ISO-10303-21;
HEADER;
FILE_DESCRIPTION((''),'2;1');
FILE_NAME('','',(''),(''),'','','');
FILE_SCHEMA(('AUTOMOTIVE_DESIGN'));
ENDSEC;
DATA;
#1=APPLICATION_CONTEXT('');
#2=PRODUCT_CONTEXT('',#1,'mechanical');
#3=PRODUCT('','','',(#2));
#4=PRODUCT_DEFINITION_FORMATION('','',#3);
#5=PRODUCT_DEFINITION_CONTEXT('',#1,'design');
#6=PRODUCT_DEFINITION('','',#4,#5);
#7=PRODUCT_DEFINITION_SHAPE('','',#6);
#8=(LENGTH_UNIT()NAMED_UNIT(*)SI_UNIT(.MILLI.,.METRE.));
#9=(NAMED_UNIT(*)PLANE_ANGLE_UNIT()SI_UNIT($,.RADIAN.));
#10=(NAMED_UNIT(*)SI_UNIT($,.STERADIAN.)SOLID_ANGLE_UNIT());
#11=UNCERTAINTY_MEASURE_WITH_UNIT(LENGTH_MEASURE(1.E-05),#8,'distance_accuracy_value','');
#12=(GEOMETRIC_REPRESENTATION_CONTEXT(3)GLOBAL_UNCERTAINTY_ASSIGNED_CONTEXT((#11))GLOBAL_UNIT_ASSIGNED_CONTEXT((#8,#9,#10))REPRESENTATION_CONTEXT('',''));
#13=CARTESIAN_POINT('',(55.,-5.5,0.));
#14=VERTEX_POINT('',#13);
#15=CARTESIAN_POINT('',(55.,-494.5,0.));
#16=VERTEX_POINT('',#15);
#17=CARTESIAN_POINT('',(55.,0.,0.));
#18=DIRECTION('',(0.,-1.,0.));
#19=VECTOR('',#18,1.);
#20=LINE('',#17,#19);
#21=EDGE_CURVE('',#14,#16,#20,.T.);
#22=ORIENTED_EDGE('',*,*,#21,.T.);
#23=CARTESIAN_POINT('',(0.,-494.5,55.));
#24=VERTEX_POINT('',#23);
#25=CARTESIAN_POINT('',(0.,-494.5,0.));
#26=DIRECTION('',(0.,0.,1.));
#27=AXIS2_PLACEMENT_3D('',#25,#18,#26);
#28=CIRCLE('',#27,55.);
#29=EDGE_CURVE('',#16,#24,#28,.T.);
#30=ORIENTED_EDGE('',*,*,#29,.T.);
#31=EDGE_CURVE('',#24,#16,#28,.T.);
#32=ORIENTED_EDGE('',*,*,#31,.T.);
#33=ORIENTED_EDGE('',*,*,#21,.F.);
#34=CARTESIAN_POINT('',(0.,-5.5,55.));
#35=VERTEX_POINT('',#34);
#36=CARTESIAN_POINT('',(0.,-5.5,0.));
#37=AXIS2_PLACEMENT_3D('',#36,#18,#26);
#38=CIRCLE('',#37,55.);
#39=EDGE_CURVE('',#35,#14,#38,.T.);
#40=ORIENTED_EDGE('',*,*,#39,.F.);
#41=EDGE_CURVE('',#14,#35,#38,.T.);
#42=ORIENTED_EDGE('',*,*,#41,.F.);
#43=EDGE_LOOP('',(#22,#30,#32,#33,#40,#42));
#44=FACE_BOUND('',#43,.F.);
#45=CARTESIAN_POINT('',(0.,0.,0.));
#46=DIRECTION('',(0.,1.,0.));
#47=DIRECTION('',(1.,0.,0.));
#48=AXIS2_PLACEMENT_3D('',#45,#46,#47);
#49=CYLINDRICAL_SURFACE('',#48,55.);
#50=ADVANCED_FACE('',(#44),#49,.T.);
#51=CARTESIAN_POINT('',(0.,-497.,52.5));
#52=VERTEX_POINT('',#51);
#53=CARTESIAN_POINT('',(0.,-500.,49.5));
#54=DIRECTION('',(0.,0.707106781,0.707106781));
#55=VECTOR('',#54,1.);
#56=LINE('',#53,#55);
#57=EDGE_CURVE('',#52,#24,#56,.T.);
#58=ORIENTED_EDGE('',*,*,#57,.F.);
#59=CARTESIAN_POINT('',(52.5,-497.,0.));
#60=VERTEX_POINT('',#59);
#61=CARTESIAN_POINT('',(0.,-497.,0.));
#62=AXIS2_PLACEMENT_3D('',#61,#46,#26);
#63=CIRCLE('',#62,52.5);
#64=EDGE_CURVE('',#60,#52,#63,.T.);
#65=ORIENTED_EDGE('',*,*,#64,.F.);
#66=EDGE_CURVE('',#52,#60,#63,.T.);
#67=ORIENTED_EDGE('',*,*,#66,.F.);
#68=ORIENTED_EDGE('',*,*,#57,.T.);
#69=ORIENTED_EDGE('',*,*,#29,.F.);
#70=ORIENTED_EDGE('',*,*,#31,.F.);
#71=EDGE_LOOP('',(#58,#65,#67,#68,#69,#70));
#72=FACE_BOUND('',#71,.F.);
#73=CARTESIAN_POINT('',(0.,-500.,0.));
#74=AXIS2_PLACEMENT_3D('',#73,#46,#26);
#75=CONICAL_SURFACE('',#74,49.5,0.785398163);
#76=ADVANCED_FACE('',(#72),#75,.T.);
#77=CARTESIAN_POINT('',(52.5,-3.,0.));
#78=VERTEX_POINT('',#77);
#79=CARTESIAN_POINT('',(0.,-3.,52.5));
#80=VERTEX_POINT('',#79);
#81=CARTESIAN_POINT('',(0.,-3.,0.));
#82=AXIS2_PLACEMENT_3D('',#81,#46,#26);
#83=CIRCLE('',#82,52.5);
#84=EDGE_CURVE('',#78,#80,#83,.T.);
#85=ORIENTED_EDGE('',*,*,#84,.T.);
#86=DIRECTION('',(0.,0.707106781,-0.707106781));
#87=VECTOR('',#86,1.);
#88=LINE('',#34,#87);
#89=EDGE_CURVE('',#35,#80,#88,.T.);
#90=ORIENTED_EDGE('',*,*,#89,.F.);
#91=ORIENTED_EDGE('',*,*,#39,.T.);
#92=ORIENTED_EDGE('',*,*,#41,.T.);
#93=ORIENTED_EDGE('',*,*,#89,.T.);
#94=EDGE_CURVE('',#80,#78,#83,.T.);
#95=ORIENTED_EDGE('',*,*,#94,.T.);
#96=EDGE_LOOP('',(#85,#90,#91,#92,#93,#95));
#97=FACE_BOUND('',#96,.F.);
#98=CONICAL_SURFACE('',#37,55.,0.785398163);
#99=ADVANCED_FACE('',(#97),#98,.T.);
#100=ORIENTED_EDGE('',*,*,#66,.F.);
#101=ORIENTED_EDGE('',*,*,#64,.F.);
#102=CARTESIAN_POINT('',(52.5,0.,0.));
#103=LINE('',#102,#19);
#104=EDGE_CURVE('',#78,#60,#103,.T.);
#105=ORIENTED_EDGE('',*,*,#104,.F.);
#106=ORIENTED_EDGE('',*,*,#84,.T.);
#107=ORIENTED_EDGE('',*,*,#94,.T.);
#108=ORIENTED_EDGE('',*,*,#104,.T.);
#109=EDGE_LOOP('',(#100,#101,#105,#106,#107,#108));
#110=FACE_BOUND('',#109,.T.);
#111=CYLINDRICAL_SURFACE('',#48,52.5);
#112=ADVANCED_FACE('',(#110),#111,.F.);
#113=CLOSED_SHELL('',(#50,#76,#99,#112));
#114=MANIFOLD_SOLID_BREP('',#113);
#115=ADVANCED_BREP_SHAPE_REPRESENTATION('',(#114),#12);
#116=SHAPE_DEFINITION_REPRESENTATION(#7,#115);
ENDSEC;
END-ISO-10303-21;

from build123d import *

# Parameters (mm, degrees)
F0_R     = 55
F0_R_2   = 52.5
F1_DEPTH = 500


with BuildPart() as f1:
    # F0 (on Front) → F1 (new body)
    with BuildSketch(Plane.XZ):
        Circle(F0_R)
        Circle(F0_R_2, mode=Mode.SUBTRACT)
    extrude(amount=F1_DEPTH)

    # F2 (on Right) → F3 (revolve, cut)
    with BuildSketch(Plane.YZ):
        Polygon((0, 49.5), (0, 55), (-5.5, 55), align=None)
    revolve(axis=Axis((0, 0, 0), (0, -1, 0)), mode=Mode.SUBTRACT)

    # F4 (on Right) → F5 (revolve, cut)
    with BuildSketch(Plane.YZ):
        Polygon((-500, 49.5), (-494.5, 55), (-500, 55), align=None)
    revolve(axis=Axis((0, -500, 0), (0, -1, 0)), mode=Mode.SUBTRACT)


solid = f1.part
